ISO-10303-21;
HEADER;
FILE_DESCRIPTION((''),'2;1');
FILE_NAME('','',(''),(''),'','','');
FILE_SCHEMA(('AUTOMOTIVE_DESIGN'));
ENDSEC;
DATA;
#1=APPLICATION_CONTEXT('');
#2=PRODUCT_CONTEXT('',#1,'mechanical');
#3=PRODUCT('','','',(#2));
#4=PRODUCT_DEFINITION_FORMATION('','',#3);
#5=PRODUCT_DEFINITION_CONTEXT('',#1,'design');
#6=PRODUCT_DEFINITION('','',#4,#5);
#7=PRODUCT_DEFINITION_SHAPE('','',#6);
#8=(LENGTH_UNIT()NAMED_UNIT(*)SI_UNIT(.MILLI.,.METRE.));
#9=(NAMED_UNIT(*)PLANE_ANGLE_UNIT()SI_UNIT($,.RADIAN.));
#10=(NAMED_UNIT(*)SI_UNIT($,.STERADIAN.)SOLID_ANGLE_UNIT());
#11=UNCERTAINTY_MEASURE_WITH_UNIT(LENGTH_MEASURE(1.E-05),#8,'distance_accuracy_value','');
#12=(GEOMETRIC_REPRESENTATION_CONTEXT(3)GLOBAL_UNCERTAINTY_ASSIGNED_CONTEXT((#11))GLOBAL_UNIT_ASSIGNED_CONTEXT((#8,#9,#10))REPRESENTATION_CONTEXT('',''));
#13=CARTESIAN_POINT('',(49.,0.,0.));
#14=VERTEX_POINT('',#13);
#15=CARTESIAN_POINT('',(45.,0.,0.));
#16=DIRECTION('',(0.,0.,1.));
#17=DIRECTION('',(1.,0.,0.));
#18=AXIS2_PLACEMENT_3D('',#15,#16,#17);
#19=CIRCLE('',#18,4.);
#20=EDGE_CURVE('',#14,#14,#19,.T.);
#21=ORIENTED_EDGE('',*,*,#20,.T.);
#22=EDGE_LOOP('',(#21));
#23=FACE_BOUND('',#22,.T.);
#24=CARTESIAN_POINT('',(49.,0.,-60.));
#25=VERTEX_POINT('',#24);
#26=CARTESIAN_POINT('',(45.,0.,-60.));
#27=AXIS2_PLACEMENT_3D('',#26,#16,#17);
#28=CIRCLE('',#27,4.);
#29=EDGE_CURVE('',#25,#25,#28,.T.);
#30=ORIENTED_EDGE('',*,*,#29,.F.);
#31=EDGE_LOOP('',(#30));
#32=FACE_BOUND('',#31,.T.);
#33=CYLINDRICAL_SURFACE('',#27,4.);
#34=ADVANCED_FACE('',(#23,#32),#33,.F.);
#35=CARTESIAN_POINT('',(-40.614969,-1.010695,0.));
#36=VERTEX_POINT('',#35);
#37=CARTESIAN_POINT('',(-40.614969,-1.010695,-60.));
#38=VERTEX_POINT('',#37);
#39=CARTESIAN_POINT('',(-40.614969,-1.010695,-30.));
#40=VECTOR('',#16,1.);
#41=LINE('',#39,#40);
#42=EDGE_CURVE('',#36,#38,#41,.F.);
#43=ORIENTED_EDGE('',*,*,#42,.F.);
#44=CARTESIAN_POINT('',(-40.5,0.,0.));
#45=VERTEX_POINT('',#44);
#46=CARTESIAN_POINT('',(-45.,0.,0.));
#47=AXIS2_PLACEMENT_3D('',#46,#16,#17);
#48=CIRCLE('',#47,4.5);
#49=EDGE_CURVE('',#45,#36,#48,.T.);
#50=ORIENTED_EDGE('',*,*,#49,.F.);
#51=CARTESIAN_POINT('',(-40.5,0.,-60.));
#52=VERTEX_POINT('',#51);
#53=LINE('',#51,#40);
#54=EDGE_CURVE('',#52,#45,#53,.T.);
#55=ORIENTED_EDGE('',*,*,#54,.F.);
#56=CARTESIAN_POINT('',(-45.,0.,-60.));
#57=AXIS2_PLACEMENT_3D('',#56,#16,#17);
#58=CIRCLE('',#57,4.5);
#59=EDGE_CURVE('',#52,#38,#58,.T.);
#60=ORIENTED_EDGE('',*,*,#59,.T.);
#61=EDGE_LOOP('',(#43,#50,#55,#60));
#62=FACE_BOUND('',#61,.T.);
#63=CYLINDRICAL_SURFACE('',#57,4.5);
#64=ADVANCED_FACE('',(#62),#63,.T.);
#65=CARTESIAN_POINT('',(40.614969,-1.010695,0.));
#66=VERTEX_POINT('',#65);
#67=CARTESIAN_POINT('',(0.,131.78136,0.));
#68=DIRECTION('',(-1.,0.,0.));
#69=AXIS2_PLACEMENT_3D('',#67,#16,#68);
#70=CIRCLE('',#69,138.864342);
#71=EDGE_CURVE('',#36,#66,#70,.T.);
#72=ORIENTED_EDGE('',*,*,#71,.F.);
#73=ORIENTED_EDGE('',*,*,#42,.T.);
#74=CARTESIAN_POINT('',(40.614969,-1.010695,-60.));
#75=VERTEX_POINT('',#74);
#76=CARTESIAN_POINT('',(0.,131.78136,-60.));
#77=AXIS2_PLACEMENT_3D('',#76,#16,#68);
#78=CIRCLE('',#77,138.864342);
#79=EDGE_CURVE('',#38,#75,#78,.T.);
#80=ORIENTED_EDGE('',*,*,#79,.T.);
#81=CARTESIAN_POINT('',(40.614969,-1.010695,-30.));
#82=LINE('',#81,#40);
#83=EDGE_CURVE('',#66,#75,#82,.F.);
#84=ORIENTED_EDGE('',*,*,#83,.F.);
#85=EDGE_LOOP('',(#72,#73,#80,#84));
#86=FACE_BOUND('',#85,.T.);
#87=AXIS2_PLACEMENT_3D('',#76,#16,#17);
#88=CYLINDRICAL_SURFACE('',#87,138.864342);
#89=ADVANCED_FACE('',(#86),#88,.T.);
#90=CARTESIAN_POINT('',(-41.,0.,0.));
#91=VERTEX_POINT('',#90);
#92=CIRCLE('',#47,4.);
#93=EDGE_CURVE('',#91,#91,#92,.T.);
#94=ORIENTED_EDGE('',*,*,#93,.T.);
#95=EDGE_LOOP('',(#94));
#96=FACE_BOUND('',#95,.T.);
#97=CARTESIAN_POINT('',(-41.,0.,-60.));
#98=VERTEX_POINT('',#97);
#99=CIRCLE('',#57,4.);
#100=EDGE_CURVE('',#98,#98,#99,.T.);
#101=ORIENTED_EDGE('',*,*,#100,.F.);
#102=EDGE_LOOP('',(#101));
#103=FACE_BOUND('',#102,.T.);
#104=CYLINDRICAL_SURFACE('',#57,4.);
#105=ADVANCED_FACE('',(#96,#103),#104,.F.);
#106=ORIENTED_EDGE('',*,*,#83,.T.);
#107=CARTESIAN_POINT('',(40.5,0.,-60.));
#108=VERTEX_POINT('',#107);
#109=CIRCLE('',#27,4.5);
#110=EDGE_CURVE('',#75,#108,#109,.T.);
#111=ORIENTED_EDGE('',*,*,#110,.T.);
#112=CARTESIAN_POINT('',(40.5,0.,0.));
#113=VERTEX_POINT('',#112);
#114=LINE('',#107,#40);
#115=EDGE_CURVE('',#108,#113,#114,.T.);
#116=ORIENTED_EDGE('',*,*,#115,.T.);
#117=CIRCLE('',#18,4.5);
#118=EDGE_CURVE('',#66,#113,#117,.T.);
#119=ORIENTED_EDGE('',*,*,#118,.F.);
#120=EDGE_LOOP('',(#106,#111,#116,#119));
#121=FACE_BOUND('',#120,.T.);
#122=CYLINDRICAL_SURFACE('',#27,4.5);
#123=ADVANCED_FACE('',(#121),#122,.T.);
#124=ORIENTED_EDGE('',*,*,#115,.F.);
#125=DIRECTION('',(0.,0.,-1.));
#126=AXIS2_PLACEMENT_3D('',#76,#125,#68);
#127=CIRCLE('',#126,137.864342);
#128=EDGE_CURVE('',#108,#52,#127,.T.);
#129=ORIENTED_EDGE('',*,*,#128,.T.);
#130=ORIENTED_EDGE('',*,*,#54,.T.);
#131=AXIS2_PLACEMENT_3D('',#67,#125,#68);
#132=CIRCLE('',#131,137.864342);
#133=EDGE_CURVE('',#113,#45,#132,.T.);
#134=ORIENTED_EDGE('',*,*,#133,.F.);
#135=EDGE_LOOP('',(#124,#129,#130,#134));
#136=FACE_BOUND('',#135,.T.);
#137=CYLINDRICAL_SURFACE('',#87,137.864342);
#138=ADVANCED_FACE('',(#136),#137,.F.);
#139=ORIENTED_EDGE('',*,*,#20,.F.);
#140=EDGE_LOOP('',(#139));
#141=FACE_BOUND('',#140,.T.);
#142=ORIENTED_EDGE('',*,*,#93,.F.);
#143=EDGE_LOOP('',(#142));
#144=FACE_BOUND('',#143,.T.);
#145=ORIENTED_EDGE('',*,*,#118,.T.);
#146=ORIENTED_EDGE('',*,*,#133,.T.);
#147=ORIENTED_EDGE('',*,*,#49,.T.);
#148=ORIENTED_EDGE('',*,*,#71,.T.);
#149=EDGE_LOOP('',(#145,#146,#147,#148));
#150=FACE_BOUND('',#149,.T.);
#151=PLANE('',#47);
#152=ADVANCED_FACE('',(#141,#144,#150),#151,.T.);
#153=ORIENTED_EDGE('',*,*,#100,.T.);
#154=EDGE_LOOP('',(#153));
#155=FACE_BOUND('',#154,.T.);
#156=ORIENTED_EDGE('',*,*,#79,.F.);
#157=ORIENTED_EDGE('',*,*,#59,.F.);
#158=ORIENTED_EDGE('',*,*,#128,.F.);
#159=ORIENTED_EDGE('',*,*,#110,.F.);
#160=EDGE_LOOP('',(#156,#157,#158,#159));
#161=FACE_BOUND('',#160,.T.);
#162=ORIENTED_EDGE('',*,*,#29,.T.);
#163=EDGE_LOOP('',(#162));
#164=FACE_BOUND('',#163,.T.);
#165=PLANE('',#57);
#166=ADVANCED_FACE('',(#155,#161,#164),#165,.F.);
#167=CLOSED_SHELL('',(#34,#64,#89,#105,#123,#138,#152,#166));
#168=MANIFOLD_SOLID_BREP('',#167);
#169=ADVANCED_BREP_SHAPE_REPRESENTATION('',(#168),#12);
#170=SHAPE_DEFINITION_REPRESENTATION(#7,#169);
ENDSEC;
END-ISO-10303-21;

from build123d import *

# Parameters (mm, degrees)
SKETCH2_R             = 4.5
SKETCH2_R_2           = 4
BOSS_EXTRUDE1_DEPTH   = 60
BOSS_EXTRUDE1_2_DEPTH = 60
BOSS_EXTRUDE2_DEPTH   = 60


with BuildPart() as part:
    # Sketch2 → Boss-Extrude1 (new body)
    with BuildSketch(Plane.XY):
        with Locations((-45, 0)):
            Circle(SKETCH2_R)
        with Locations((-45, 0)):
            Circle(SKETCH2_R_2, mode=Mode.SUBTRACT)
    extrude(amount=-BOSS_EXTRUDE1_DEPTH)



with BuildPart() as body_2:
    # Sketch2 → Boss-Extrude1 2 (new body)
    with BuildSketch(Plane.XY):
        with Locations((45, 0)):
            Circle(SKETCH2_R)
        with Locations((45, 0)):
            Circle(SKETCH2_R_2, mode=Mode.SUBTRACT)
    extrude(amount=-BOSS_EXTRUDE1_2_DEPTH)


with BuildPart() as part_1:
    add(part.part)

    add(body_2.part)  # Boss-Extrude2 merges body 2
    # Sketch3 → Boss-Extrude2 (add)
    with BuildSketch(Plane.XY):
        with BuildLine():
            Line((40.5, 0), (40.793767043, -0.955877045))
            ThreePointArc((40.793767043, -0.955877045), (0, -7.082982188), (-40.793767043, -0.955877045))
            Line((-40.793767043, -0.955877045), (-40.5, 0))
            ThreePointArc((-40.5, 0), (0, -6.082982188), (40.5, 0))
        make_face()
    extrude(amount=-BOSS_EXTRUDE2_DEPTH)


solid = part_1.part
